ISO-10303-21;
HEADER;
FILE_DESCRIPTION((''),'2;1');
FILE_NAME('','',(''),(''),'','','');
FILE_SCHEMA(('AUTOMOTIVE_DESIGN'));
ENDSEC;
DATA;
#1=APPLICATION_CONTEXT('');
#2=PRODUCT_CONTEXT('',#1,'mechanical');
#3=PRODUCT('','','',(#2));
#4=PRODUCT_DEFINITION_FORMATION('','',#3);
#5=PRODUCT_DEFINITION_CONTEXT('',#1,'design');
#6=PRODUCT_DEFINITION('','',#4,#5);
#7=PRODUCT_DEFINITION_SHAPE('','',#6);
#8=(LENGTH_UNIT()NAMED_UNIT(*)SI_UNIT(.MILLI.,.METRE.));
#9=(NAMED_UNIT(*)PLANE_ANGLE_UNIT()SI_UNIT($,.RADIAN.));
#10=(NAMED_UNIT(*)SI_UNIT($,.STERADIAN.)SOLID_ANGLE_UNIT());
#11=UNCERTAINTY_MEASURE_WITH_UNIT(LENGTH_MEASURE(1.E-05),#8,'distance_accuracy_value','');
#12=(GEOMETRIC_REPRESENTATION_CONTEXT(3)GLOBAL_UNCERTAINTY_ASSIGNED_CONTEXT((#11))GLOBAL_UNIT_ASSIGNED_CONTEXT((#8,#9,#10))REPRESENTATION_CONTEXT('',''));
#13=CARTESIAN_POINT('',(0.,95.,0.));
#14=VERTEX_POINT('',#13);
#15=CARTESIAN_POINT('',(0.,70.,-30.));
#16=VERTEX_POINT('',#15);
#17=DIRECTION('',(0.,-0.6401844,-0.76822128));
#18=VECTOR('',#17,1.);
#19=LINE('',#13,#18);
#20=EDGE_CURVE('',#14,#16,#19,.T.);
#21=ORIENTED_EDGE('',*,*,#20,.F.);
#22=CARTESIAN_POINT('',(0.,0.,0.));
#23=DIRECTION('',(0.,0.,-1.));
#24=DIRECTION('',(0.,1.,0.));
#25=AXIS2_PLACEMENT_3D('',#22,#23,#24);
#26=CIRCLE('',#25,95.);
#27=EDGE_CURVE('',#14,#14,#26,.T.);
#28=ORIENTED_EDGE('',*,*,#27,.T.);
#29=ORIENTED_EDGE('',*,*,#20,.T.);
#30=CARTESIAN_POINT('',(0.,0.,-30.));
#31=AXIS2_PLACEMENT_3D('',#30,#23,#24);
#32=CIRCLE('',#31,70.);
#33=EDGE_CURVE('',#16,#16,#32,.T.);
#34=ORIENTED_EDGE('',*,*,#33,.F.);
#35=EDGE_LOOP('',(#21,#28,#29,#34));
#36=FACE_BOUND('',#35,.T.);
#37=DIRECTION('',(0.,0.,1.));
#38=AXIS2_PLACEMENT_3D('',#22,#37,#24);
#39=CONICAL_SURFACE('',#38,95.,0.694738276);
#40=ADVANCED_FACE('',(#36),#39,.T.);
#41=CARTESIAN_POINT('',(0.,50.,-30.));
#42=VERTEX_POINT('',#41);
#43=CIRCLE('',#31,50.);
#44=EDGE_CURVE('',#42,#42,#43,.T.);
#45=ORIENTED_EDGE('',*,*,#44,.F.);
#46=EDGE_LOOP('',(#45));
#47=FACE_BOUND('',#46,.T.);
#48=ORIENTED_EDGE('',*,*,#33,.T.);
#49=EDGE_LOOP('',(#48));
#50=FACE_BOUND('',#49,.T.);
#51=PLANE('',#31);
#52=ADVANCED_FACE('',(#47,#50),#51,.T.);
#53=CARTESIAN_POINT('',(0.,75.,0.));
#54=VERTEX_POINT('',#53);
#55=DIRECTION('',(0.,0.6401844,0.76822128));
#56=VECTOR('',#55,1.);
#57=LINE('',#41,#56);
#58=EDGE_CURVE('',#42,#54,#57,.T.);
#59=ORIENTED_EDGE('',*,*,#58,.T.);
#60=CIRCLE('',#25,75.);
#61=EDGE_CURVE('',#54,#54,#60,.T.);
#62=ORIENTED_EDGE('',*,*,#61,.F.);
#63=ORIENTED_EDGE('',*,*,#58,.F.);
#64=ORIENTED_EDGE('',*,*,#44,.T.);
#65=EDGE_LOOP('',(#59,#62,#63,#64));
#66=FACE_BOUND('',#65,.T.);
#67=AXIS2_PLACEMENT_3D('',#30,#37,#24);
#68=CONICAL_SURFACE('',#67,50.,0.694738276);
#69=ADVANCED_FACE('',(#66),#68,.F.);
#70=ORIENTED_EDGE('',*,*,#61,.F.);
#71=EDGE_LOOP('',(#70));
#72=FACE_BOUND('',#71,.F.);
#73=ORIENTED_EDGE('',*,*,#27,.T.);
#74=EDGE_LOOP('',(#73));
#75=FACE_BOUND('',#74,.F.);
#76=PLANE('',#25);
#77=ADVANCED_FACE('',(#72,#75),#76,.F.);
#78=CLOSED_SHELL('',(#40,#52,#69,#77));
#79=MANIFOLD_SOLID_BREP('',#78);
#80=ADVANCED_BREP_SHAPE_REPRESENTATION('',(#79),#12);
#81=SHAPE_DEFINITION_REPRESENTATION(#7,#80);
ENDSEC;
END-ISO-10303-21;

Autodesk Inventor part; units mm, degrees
ref_plane "YZ Plane" through (0, 0, 0) normal (1, 0, 0) x (0, 1, 0)
ref_plane "XZ Plane" through (0, 0, 0) normal (0, 1, 0) x (-1, 0, 0)
ref_plane "XY Plane" through (0, 0, 0) normal (0, 0, 1) x (1, 0, 0)
sketch "Sketch1" plane through (0, 0, 0) normal (1, 0, 0) x (0, 1, 0)
  line L0 (0, 0) -> (0, -30)
  line L1 (0, 0) -> (75, 0)
  line L2 (0, -30) -> (50, -30)
  line L3 (50, -30) -> (75, 0)
  line L4 (95, 0) -> (75, 0)
  line L5 (95, 0) -> (70, -30)
  line L6 (70, -30) -> (50, -30)
  dimension "d0" = 20
  dimension "d1" = 75
  dimension "d2" = 50
  dimension "d3" = 30
revolve "Revolution1" add sketch "Sketch1" angle 360 about axis through (0, 0, 0) along (0, 0, -1) contours L4 L5 L6 L3
properties part number "Collegamento2" material "Steel, Alloy"
